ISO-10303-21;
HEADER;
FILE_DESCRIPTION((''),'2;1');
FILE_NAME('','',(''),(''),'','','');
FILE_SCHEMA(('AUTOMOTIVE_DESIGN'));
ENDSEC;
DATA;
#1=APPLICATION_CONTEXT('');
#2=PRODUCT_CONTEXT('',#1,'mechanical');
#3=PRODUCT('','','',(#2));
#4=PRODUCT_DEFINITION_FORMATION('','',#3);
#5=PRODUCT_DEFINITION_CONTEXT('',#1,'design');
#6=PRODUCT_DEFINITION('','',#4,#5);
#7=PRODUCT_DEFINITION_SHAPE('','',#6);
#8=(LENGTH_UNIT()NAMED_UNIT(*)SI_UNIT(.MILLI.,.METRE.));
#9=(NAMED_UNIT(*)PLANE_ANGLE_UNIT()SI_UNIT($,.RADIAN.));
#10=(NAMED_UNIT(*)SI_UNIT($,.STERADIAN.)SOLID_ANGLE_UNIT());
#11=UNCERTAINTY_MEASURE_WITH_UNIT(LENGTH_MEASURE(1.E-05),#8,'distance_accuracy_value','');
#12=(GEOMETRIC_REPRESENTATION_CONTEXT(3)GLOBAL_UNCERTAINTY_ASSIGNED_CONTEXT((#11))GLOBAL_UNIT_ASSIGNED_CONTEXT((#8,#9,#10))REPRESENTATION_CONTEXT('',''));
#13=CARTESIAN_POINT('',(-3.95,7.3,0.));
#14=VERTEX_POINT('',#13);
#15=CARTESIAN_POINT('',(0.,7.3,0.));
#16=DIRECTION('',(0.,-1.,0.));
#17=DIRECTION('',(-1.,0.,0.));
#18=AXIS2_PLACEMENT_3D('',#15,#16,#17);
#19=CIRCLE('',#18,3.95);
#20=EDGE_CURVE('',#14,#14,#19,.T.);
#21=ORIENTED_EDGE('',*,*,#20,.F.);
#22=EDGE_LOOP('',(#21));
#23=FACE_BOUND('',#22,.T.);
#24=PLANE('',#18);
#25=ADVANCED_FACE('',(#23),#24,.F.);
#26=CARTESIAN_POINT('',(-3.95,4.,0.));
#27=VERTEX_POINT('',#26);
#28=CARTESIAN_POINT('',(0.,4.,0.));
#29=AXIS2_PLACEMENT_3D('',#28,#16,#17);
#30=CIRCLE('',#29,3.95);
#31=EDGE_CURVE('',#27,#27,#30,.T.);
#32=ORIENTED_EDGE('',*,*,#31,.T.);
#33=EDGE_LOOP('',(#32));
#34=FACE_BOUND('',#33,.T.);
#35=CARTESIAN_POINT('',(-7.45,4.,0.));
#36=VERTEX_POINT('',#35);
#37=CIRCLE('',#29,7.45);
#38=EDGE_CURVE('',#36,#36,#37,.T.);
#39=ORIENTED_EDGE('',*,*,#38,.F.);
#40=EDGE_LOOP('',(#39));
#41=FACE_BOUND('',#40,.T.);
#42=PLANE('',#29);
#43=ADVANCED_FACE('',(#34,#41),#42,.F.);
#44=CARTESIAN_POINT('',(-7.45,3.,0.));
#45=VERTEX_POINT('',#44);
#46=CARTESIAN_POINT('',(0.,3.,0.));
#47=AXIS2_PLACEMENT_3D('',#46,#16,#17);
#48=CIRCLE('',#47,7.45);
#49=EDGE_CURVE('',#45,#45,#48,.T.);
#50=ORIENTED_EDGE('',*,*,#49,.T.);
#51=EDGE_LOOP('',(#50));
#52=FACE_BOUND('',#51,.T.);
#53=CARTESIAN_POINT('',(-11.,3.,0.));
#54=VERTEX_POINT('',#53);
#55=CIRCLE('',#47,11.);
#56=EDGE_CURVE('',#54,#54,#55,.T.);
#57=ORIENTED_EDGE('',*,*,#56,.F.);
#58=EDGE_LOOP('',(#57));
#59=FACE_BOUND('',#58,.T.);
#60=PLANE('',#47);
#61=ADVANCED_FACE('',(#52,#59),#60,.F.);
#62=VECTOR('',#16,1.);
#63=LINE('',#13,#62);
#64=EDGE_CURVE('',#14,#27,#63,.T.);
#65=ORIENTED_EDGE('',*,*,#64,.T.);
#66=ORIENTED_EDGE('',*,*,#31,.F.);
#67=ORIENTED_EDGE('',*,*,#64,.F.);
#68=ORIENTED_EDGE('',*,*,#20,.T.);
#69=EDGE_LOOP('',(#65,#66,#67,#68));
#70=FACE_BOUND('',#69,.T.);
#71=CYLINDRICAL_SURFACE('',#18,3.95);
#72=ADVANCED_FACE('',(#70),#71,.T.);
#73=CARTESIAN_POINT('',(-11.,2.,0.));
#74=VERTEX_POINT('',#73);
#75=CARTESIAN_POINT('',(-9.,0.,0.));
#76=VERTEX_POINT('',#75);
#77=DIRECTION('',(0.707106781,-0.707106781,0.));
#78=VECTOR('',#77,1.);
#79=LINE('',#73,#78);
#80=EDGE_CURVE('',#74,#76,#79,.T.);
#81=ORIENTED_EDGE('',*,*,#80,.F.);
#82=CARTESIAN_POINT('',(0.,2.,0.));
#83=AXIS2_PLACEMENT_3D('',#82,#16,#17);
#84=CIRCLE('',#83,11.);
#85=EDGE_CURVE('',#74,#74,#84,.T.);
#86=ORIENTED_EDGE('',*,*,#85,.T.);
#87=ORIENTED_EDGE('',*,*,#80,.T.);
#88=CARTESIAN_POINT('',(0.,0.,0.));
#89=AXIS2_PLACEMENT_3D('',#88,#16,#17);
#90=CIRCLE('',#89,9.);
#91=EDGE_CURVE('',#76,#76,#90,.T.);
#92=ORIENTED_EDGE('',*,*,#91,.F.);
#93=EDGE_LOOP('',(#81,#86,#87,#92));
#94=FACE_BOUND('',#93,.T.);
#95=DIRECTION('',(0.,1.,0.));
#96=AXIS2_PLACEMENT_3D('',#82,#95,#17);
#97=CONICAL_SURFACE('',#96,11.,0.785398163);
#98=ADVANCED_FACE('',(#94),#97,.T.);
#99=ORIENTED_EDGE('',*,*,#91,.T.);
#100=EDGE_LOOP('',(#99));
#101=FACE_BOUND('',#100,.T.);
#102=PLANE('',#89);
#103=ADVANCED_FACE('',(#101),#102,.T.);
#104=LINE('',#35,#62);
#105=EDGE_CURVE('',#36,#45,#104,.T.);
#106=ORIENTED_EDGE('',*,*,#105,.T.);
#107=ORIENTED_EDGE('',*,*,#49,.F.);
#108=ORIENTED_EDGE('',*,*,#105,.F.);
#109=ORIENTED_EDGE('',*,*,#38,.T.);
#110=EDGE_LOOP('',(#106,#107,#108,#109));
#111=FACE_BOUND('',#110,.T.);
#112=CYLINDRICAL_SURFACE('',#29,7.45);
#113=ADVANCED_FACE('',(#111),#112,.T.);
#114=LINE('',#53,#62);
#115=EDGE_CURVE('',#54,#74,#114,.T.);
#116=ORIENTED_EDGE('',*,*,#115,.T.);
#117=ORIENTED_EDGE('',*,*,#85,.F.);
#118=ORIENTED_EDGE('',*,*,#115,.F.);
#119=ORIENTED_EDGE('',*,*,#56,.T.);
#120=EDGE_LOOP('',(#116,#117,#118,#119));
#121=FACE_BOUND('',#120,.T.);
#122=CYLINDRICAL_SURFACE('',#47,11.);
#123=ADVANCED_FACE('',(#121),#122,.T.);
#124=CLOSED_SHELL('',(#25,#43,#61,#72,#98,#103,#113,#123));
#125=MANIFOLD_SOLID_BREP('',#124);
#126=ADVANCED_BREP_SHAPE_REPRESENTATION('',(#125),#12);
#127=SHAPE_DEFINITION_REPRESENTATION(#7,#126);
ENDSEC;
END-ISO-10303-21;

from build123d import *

# Parameters (mm, degrees)
F2_SIZE = 2


with BuildPart() as f1:
    # F0 (on Top) → F1 (revolve)
    with BuildSketch(Plane.XY):
        Polygon((-11, 3), (-11, 0), (0, 0), (0, 7.3), (-3.95, 7.3), (-3.95, 4), (-7.45, 4), (-7.45, 3), align=None)
    revolve(axis=Axis((0, 3.65, 0), (0, -1, 0)))

    # F2
    f2_edges = [f1.edges().sort_by_distance(p)[0] for p in [
        (11, 0, 0),
    ]]
    chamfer(f2_edges, length=F2_SIZE)


solid = f1.part
